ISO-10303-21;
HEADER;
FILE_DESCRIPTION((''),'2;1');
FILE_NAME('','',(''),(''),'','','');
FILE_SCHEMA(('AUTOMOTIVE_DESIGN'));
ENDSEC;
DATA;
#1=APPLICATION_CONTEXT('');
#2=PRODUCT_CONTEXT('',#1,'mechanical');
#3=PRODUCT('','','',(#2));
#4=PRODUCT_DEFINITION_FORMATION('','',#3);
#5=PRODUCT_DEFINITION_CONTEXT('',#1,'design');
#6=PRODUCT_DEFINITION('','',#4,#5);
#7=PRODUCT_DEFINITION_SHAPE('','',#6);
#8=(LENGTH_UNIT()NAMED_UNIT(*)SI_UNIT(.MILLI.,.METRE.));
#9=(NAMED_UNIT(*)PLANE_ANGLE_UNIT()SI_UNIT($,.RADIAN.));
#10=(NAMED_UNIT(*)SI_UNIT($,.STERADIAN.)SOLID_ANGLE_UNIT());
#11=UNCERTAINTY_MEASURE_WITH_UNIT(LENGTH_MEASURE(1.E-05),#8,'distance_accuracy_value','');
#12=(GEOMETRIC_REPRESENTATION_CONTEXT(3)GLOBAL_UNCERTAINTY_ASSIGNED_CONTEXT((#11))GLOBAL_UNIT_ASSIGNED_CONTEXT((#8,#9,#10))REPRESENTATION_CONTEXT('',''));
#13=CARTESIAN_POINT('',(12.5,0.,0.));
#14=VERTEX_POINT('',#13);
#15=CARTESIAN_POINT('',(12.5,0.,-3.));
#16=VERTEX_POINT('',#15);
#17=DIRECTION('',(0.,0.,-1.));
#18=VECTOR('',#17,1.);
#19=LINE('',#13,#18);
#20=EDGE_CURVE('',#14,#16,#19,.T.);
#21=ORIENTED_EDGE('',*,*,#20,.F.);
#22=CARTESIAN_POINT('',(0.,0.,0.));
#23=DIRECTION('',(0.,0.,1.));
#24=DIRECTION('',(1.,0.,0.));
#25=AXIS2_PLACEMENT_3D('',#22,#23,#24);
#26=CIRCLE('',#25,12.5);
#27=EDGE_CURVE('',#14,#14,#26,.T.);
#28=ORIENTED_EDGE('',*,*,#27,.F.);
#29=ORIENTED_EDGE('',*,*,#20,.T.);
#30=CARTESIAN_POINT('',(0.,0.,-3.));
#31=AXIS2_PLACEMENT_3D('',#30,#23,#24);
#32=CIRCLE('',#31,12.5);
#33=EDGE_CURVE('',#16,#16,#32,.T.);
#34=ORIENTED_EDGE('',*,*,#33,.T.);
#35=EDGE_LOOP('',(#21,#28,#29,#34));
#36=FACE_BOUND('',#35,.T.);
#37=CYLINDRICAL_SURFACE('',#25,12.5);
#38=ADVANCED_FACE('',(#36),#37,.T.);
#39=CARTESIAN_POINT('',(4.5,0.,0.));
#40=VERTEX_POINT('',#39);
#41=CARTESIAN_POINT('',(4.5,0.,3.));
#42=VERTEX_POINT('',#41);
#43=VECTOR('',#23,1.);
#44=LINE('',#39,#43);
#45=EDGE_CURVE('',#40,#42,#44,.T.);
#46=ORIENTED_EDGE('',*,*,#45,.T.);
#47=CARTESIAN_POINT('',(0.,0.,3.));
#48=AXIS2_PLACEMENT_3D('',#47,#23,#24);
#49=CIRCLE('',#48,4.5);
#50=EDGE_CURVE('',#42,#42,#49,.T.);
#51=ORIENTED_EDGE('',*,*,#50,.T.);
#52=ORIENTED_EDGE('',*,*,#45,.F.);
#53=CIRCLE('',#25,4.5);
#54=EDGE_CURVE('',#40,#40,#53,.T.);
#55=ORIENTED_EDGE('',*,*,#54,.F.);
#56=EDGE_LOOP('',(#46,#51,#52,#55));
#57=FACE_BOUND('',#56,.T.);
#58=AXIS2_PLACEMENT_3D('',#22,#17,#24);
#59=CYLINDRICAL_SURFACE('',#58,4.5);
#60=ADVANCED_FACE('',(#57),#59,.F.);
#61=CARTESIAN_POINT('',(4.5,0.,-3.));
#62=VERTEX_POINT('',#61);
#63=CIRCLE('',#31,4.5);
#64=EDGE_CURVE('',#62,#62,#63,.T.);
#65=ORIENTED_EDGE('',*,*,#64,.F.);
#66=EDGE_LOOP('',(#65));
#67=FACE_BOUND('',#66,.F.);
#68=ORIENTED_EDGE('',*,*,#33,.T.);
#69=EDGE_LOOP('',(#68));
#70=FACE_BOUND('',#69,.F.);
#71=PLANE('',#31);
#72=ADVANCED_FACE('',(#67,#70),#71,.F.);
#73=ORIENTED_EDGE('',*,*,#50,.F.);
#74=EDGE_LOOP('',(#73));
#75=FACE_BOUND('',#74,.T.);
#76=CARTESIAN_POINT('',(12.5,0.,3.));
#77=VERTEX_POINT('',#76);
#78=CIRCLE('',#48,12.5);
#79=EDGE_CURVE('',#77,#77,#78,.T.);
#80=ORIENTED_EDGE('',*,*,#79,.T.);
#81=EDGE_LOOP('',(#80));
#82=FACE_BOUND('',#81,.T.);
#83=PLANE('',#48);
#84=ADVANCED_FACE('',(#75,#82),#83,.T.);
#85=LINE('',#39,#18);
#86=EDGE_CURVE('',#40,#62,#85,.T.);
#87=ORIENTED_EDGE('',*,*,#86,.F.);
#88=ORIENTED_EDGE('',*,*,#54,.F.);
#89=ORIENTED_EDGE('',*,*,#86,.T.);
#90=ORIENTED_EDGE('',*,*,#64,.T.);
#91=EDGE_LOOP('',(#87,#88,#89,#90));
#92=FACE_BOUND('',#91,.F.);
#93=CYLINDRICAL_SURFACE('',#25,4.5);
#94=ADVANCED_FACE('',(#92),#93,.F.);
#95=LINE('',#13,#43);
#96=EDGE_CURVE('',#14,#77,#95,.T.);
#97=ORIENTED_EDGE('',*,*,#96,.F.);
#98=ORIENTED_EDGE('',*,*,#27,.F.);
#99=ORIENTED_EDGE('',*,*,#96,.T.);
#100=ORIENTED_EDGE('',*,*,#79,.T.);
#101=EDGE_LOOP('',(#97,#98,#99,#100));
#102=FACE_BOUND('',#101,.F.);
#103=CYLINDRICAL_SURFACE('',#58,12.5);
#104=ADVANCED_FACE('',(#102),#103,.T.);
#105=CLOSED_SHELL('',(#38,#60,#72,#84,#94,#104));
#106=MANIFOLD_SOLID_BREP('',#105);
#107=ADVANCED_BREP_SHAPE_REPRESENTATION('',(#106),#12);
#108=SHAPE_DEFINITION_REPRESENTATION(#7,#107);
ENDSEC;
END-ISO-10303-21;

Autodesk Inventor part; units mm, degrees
ref_plane "YZ Plane" through (0, 0, 0) normal (1, 0, 0) x (0, 1, 0)
ref_plane "XZ Plane" through (0, 0, 0) normal (0, 1, 0) x (-1, 0, 0)
ref_plane "XY Plane" through (0, 0, 0) normal (0, 0, 1) x (1, 0, 0)
sketch "Boceto1" plane through (0, 0, 0) normal (0, 0, 1) x (1, 0, 0)
  circle A0 centre (0, 0) radius 4.5
  circle A1 centre (0, 0) radius 12.5
  dimension "d0" = 8
  dimension "d1" = 9
extrude "Extrusión1" add sketch "Boceto1" along normal mid plane 6
properties part number "golilla aceilica carrete"
